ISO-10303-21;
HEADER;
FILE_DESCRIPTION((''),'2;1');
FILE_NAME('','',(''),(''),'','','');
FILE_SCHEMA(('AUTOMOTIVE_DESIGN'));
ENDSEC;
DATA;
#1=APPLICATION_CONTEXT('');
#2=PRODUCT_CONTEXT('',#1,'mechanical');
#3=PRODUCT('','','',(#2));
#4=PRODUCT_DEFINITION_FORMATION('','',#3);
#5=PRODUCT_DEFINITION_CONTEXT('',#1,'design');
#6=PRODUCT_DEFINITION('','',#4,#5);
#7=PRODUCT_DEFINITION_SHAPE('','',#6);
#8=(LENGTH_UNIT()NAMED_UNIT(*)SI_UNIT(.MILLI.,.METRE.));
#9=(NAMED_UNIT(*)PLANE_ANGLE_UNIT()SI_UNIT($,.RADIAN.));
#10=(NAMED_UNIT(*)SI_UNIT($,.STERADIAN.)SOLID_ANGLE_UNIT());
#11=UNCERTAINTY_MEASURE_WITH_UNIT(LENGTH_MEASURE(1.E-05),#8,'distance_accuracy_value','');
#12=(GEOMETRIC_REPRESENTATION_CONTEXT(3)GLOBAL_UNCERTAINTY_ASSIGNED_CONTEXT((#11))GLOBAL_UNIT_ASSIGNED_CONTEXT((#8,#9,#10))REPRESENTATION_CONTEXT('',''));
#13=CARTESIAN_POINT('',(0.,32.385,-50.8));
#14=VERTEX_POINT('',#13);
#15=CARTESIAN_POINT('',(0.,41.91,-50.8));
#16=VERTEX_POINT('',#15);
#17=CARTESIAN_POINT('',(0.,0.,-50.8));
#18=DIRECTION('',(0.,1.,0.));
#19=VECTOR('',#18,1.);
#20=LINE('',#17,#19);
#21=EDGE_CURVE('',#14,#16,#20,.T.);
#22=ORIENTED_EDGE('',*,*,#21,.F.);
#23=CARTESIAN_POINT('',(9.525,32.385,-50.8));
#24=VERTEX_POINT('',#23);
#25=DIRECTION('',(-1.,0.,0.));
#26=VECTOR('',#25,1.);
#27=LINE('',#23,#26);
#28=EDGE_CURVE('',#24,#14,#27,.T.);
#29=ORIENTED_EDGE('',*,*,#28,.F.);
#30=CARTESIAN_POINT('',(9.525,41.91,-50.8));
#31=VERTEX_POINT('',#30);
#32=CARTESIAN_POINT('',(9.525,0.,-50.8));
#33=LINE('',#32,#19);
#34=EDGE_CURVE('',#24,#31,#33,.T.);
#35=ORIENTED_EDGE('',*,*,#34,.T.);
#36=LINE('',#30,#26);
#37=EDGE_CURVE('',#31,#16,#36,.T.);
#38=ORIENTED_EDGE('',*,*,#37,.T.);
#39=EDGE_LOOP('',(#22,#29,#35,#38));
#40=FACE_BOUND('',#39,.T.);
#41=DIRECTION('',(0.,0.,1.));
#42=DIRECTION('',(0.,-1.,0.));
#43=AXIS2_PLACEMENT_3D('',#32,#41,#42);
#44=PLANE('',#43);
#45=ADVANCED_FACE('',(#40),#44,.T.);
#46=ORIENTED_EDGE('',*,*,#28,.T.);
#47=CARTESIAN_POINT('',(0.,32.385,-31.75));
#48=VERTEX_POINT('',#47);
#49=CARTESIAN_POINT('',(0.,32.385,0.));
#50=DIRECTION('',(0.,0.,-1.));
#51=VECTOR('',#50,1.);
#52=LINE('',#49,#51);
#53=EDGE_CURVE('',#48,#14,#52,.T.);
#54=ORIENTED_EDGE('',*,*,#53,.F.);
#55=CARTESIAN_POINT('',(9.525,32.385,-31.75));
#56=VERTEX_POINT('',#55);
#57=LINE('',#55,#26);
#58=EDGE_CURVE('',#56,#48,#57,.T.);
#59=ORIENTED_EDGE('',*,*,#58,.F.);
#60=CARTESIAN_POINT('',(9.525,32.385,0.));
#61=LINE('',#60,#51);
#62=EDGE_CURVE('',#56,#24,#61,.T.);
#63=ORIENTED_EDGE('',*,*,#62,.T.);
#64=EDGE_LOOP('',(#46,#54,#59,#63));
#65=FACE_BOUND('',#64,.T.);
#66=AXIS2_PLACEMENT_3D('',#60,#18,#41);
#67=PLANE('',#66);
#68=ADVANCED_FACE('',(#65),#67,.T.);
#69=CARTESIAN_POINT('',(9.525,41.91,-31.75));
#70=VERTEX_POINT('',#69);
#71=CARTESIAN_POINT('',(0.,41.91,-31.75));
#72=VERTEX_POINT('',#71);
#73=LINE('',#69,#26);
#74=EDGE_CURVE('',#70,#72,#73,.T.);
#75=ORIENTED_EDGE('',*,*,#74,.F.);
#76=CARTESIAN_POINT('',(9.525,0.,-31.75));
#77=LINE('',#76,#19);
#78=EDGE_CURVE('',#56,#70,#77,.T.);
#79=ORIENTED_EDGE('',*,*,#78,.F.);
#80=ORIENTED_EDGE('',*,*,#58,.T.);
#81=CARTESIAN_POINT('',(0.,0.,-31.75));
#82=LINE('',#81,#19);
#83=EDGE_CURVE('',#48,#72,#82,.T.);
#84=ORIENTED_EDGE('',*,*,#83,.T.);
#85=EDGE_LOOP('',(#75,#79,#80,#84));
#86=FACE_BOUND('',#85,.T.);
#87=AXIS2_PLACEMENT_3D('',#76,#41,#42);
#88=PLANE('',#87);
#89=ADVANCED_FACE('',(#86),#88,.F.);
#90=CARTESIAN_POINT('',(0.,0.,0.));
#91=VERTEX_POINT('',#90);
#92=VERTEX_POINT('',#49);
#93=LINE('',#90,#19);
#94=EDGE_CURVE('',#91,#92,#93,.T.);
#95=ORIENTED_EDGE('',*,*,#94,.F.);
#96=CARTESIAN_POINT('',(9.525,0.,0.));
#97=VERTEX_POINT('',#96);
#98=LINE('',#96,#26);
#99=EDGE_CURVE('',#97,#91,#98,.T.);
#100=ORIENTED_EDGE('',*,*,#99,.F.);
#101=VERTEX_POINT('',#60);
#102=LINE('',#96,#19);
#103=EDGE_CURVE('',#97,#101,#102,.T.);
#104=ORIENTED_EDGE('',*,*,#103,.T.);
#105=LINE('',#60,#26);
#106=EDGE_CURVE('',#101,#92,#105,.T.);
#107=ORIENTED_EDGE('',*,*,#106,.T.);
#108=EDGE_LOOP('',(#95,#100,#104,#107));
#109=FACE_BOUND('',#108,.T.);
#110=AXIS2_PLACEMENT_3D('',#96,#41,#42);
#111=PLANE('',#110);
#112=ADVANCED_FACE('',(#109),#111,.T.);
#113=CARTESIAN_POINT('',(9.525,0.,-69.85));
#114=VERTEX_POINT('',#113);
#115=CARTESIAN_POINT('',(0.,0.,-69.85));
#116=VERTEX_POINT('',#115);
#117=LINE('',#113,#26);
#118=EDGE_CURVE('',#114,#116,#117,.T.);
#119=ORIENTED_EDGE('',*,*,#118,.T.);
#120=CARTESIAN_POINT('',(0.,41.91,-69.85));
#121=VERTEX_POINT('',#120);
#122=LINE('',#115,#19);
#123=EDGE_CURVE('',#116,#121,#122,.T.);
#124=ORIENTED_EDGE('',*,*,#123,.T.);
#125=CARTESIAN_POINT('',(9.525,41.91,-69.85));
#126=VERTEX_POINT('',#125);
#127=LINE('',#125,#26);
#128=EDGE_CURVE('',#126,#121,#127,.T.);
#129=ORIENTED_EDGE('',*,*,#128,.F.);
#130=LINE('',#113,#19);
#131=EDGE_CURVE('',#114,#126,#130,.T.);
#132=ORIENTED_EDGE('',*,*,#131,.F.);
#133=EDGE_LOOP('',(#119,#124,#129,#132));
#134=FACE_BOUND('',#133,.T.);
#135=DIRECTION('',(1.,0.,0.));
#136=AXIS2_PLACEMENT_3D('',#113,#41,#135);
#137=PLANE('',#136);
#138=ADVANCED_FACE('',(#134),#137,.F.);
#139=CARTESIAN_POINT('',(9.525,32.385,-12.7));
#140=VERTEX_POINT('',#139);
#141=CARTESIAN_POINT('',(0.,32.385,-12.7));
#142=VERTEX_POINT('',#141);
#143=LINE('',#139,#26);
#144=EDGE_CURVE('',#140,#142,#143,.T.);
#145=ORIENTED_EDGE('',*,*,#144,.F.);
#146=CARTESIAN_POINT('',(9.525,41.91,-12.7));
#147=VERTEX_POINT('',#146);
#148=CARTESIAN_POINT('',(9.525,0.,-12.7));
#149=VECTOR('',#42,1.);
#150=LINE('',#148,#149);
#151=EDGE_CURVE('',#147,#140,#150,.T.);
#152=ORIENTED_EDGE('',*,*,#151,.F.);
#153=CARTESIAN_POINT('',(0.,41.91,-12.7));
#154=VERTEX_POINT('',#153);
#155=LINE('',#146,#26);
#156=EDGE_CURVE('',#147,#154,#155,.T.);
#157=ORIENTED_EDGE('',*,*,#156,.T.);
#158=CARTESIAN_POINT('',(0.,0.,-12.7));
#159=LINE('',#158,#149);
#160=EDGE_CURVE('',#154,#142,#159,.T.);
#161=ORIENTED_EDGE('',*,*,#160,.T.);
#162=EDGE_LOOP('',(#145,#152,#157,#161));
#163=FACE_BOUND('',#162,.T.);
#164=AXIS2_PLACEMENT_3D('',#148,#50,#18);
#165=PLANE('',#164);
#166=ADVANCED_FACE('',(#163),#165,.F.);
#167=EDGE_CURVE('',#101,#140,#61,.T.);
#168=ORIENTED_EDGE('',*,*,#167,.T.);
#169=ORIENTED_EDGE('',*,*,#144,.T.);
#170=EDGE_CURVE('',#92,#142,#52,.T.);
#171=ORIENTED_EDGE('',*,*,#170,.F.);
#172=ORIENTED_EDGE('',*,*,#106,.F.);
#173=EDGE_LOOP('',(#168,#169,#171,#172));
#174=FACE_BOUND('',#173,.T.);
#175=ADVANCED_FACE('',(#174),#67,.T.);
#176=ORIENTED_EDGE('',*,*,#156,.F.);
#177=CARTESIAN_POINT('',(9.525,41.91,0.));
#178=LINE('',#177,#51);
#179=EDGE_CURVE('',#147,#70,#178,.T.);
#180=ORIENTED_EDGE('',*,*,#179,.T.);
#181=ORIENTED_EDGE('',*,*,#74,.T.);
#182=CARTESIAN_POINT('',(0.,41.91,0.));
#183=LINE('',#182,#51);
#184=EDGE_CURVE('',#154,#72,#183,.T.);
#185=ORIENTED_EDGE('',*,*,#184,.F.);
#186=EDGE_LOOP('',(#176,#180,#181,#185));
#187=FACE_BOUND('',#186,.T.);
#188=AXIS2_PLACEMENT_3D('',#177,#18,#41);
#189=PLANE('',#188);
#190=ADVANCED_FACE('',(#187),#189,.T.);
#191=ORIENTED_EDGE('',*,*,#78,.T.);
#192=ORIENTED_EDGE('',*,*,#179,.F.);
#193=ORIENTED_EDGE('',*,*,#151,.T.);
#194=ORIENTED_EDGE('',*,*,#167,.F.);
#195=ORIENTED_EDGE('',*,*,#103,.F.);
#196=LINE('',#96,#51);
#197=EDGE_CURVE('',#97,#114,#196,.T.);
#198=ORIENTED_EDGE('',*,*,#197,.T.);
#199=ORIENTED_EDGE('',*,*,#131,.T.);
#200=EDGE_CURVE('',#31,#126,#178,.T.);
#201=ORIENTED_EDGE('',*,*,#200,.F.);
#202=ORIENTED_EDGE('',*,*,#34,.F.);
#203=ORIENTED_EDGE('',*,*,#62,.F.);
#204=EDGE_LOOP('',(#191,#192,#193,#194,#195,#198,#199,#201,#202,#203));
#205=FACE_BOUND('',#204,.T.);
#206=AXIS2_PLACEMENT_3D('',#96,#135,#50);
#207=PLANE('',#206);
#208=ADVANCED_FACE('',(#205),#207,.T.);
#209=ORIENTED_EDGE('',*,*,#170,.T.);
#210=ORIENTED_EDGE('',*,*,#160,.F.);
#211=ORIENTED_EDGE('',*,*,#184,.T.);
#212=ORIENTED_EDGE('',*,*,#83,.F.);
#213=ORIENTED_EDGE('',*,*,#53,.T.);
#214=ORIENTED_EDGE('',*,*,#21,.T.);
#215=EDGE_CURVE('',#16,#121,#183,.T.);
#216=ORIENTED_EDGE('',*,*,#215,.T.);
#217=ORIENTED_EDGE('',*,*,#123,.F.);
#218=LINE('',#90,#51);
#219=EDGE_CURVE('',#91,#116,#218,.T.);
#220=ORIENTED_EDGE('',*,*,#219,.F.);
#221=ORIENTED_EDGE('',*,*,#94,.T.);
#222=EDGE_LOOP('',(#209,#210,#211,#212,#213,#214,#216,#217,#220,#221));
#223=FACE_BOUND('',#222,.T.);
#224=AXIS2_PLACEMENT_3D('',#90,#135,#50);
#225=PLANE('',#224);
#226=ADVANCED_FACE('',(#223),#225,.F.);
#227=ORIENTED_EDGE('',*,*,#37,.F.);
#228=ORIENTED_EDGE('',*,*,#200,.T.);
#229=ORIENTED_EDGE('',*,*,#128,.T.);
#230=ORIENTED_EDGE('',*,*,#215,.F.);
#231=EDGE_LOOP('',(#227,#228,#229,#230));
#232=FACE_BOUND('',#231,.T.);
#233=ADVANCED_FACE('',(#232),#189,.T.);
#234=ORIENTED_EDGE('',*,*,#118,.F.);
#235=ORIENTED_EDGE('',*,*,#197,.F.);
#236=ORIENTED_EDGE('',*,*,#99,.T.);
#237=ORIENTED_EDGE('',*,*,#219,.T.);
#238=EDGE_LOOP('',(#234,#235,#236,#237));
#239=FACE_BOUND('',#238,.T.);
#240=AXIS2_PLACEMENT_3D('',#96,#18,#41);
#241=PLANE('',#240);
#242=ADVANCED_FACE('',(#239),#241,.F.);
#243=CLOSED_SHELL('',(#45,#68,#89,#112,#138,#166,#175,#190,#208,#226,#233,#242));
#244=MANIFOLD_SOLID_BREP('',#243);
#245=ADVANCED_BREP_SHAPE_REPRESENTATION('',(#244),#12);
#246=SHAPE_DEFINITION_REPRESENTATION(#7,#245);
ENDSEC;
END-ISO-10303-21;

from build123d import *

# Parameters (mm, degrees)
BOSS_EXTRUDE1_DEPTH = 9.525


with BuildPart() as part:
    # Sketch2 → Boss-Extrude1 (new body)
    with BuildSketch(Plane(origin=(0, 0, 0), x_dir=(0, 0, -1), z_dir=(1, 0, 0))):
        Polygon((0, 32.385), (0, 0), (69.85, 0), (69.85, 41.91), (50.8, 41.91), (50.8, 32.385), (31.75, 32.385), (31.75, 41.91), (12.7, 41.91), (12.7, 32.385), align=None)
    extrude(amount=BOSS_EXTRUDE1_DEPTH)


solid = part.part
